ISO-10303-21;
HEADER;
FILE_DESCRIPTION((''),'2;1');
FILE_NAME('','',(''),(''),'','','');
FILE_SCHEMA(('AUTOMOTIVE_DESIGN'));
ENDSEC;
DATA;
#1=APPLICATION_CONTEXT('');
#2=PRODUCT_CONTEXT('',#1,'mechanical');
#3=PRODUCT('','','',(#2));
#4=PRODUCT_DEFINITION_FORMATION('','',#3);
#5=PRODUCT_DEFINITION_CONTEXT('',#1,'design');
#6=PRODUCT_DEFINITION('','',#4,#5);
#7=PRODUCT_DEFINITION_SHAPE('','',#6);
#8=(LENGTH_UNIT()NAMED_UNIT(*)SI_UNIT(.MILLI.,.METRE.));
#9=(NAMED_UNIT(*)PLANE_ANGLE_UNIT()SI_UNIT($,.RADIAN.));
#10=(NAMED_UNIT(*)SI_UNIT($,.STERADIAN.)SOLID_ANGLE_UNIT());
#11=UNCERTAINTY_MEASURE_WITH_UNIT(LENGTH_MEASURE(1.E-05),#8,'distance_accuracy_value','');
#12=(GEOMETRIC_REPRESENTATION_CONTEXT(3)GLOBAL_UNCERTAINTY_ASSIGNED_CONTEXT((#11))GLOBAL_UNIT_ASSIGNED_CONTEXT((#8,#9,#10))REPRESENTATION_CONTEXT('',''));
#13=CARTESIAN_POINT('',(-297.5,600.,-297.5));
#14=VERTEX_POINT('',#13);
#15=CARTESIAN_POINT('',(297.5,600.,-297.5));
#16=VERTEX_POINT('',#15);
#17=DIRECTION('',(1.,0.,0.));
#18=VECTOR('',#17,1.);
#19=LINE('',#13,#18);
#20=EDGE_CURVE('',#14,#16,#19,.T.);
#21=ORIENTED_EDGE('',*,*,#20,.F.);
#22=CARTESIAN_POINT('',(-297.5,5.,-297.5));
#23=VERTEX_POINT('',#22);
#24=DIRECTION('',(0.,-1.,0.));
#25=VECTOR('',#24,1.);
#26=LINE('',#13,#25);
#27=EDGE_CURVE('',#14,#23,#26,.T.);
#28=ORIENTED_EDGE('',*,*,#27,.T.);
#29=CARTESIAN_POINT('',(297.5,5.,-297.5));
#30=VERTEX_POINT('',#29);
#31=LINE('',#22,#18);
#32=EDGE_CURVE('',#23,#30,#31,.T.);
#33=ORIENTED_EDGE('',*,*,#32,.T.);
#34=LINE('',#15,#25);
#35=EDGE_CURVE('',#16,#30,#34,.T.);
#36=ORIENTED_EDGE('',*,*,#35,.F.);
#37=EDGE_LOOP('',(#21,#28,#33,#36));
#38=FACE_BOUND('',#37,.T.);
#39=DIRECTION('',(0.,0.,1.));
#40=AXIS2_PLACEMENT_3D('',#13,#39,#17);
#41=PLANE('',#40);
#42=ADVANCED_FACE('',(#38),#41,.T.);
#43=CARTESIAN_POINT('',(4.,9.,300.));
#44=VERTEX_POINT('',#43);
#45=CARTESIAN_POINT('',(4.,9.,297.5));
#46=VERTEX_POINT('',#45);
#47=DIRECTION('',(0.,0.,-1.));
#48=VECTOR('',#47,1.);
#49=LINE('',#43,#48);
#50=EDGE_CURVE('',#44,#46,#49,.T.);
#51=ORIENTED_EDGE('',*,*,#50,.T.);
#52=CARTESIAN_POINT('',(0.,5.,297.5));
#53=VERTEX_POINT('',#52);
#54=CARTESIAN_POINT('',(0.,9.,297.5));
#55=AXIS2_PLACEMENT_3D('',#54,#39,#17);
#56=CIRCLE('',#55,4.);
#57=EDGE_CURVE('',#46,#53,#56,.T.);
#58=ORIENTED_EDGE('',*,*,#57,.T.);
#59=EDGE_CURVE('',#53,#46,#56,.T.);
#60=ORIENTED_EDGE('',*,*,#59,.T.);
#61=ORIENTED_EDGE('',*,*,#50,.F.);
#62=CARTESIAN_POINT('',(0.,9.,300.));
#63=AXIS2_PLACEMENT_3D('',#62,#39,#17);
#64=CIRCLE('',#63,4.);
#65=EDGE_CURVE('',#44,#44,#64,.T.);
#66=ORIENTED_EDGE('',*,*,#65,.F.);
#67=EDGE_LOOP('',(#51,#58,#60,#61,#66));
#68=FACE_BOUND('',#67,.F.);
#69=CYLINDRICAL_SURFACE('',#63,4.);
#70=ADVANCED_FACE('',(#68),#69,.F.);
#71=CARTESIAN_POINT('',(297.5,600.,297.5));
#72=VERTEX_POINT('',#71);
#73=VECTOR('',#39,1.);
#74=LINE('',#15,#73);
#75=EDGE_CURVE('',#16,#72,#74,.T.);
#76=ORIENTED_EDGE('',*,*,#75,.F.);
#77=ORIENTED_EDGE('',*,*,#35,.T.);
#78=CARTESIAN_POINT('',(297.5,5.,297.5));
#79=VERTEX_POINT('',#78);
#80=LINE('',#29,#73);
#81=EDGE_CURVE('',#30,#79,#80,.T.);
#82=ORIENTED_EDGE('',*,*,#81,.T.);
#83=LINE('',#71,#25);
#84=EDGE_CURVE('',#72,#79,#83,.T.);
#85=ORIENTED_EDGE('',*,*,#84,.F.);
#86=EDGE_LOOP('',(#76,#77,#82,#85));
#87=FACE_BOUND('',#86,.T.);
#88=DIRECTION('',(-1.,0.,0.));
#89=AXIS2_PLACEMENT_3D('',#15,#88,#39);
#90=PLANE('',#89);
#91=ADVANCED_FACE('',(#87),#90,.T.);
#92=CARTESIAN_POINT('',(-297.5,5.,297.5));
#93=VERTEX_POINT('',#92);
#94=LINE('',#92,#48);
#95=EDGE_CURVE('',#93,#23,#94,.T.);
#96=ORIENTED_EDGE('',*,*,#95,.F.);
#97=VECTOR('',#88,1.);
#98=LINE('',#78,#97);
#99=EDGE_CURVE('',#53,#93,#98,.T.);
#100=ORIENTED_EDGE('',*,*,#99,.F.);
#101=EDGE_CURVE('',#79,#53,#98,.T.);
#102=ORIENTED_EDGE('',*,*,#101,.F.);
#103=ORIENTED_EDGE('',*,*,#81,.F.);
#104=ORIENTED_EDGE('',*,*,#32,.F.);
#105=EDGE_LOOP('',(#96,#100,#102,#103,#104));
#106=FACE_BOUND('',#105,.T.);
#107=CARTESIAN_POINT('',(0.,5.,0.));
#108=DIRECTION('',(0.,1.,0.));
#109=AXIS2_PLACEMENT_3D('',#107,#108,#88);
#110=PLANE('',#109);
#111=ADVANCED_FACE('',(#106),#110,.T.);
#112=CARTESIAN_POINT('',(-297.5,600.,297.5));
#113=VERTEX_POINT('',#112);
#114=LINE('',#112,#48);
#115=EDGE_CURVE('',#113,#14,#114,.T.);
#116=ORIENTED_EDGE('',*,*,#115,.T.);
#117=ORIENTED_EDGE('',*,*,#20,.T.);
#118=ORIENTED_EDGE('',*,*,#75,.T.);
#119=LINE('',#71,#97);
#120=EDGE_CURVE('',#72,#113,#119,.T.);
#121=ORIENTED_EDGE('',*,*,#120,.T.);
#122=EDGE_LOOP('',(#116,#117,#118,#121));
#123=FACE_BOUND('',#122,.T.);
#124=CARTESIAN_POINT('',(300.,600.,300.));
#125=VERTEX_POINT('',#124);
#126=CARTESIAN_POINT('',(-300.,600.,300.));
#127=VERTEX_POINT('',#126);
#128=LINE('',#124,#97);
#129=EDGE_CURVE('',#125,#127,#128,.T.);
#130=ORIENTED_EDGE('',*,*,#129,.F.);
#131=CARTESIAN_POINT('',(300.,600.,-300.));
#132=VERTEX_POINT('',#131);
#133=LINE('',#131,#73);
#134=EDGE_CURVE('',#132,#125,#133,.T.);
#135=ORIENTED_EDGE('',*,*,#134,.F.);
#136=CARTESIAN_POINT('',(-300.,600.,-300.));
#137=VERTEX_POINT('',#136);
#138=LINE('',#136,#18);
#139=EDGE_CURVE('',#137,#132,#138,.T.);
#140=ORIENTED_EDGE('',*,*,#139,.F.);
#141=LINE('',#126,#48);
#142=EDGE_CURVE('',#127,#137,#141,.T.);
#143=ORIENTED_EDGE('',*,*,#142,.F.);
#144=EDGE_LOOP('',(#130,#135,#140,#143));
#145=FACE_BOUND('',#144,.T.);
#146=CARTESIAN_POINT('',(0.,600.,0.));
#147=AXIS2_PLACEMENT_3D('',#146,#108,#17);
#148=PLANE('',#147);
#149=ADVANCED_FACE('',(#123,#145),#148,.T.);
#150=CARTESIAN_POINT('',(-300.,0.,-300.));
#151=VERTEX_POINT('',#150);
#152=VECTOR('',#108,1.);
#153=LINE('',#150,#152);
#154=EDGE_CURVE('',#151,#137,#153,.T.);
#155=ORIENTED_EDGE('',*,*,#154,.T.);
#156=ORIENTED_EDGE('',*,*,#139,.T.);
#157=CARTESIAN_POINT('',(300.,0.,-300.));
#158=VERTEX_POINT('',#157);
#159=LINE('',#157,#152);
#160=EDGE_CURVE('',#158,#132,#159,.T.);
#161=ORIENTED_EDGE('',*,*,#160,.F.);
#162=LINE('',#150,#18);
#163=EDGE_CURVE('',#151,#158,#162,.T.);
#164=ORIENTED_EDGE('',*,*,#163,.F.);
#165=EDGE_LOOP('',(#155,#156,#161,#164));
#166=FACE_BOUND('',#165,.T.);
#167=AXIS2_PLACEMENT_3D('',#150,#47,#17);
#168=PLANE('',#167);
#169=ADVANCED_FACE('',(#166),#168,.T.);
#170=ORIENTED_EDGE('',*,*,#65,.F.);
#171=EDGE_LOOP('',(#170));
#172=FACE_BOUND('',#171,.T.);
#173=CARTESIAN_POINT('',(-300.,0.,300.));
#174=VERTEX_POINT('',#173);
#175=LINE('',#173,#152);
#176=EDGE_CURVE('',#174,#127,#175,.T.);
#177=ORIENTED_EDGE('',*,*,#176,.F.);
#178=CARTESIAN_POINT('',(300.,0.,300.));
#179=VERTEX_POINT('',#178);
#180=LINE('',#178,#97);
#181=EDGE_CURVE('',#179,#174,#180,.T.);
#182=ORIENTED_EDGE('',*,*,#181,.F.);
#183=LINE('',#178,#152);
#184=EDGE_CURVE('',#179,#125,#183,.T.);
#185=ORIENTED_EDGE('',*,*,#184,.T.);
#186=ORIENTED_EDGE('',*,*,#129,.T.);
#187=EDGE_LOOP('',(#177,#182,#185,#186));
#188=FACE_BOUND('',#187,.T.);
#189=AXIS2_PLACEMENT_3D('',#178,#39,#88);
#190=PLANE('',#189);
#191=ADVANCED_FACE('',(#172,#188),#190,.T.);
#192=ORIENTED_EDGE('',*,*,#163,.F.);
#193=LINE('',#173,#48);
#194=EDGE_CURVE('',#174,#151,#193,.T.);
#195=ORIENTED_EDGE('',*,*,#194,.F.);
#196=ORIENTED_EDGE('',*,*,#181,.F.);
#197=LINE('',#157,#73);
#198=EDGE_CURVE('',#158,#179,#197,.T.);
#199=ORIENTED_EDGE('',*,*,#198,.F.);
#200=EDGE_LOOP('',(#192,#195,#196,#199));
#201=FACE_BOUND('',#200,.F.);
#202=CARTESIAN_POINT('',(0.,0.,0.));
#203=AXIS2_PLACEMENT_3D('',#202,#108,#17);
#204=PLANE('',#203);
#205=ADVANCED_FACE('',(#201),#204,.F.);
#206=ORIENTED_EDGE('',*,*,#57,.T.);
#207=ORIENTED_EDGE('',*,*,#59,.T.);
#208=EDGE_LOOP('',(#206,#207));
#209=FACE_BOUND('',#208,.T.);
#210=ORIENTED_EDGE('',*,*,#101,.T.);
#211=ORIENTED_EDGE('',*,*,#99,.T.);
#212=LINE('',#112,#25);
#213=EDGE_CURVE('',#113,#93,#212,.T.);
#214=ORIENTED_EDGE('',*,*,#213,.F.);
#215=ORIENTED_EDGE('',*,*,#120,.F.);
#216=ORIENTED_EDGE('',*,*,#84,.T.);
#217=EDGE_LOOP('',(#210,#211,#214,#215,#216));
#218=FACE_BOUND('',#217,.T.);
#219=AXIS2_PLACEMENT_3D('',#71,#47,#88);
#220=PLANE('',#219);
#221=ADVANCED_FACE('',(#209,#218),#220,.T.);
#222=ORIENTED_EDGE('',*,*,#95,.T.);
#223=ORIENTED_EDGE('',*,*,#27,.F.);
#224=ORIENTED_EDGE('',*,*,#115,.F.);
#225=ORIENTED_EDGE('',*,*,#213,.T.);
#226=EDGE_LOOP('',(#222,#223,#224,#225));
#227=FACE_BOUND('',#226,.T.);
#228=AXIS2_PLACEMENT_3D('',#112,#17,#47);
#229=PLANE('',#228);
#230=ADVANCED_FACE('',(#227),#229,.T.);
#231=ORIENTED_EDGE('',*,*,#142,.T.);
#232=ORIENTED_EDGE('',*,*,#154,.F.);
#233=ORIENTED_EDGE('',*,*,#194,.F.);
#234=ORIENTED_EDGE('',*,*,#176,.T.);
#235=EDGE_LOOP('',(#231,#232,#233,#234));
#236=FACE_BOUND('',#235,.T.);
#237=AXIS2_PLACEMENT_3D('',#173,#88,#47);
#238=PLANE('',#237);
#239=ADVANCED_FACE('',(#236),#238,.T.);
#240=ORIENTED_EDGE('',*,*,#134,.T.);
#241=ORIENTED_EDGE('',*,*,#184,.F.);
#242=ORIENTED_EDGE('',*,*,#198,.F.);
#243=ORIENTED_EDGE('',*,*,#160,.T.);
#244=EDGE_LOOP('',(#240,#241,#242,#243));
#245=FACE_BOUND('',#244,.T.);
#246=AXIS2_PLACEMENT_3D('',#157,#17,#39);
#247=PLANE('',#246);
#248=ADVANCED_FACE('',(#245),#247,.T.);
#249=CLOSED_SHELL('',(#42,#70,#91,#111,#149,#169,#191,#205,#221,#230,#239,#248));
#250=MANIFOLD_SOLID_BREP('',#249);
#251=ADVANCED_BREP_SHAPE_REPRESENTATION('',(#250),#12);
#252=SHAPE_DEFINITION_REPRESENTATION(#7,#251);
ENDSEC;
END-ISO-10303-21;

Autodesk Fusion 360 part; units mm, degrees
sketch "Sketch1" plane through (0, 0, 0) normal (0, 1, 0) x (1, 0, 0)
  line L0 (300, -300) -> (-300, -300)
  line L1 (-300, -300) -> (-300, 300)
  line L2 (-300, 300) -> (300, 300)
  line L3 (300, 300) -> (300, -300)
  line L4 (300, -300) -> (-300, 300) construction
  line L5 (-300, -300) -> (300, 300) construction
  dimension "d1" = 600
  dimension "d2" = 600
extrude "Extrude1" add sketch "Sketch1" along normal blind 600 in component "Component"
sketch "Sketch2" plane through (0, 600, 0) normal (0, 1, 0) x (-1, 0, 0)
  line L0 (-300, -300) -> (300, -300)
  line L1 (300, -300) -> (300, 300)
  line L2 (300, 300) -> (-300, 300)
  line L3 (-300, 300) -> (-300, -300)
  line L4 (-297.5, 297.5) -> (297.5, 297.5)
  line L5 (297.5, 297.5) -> (297.5, -297.5)
  line L6 (297.5, -297.5) -> (-297.5, -297.5)
  line L7 (-297.5, -297.5) -> (-297.5, 297.5)
  line L8 (-297.5, 297.5) -> (297.5, -297.5) construction
  line L9 (297.5, 297.5) -> (-297.5, -297.5) construction
  dimension "d5" = 595
  dimension "d6" = 595
extrude "Extrude2" cut sketch "Sketch2" against normal blind 595 contours L4 L5 L6 L7 in component "Component"
sketch "Sketch3" plane through (0, 0, 300) normal (0, 0, 1) x (1, 0, 0)
  line L0 (-300, 0) -> (300, 0)
  line L1 (300, 0) -> (300, 600)
  line L2 (300, 600) -> (-300, 600)
  line L3 (-300, 600) -> (-300, 0)
  circle A0 centre (0, 9) radius 4
  point P0 (0, 5)
  point P1 (0, 9)
  dimension "d9" = 5
  dimension "d10" = 4
  dimension "d11" = 8
extrude "Extrude3" cut sketch "Sketch3" against normal blind 30 contours A0 in component "Component"
component "Component" placed x (1, 0, 0) y (0, 1, 0) z (0, 0, 1) at (0, 0, 0)
